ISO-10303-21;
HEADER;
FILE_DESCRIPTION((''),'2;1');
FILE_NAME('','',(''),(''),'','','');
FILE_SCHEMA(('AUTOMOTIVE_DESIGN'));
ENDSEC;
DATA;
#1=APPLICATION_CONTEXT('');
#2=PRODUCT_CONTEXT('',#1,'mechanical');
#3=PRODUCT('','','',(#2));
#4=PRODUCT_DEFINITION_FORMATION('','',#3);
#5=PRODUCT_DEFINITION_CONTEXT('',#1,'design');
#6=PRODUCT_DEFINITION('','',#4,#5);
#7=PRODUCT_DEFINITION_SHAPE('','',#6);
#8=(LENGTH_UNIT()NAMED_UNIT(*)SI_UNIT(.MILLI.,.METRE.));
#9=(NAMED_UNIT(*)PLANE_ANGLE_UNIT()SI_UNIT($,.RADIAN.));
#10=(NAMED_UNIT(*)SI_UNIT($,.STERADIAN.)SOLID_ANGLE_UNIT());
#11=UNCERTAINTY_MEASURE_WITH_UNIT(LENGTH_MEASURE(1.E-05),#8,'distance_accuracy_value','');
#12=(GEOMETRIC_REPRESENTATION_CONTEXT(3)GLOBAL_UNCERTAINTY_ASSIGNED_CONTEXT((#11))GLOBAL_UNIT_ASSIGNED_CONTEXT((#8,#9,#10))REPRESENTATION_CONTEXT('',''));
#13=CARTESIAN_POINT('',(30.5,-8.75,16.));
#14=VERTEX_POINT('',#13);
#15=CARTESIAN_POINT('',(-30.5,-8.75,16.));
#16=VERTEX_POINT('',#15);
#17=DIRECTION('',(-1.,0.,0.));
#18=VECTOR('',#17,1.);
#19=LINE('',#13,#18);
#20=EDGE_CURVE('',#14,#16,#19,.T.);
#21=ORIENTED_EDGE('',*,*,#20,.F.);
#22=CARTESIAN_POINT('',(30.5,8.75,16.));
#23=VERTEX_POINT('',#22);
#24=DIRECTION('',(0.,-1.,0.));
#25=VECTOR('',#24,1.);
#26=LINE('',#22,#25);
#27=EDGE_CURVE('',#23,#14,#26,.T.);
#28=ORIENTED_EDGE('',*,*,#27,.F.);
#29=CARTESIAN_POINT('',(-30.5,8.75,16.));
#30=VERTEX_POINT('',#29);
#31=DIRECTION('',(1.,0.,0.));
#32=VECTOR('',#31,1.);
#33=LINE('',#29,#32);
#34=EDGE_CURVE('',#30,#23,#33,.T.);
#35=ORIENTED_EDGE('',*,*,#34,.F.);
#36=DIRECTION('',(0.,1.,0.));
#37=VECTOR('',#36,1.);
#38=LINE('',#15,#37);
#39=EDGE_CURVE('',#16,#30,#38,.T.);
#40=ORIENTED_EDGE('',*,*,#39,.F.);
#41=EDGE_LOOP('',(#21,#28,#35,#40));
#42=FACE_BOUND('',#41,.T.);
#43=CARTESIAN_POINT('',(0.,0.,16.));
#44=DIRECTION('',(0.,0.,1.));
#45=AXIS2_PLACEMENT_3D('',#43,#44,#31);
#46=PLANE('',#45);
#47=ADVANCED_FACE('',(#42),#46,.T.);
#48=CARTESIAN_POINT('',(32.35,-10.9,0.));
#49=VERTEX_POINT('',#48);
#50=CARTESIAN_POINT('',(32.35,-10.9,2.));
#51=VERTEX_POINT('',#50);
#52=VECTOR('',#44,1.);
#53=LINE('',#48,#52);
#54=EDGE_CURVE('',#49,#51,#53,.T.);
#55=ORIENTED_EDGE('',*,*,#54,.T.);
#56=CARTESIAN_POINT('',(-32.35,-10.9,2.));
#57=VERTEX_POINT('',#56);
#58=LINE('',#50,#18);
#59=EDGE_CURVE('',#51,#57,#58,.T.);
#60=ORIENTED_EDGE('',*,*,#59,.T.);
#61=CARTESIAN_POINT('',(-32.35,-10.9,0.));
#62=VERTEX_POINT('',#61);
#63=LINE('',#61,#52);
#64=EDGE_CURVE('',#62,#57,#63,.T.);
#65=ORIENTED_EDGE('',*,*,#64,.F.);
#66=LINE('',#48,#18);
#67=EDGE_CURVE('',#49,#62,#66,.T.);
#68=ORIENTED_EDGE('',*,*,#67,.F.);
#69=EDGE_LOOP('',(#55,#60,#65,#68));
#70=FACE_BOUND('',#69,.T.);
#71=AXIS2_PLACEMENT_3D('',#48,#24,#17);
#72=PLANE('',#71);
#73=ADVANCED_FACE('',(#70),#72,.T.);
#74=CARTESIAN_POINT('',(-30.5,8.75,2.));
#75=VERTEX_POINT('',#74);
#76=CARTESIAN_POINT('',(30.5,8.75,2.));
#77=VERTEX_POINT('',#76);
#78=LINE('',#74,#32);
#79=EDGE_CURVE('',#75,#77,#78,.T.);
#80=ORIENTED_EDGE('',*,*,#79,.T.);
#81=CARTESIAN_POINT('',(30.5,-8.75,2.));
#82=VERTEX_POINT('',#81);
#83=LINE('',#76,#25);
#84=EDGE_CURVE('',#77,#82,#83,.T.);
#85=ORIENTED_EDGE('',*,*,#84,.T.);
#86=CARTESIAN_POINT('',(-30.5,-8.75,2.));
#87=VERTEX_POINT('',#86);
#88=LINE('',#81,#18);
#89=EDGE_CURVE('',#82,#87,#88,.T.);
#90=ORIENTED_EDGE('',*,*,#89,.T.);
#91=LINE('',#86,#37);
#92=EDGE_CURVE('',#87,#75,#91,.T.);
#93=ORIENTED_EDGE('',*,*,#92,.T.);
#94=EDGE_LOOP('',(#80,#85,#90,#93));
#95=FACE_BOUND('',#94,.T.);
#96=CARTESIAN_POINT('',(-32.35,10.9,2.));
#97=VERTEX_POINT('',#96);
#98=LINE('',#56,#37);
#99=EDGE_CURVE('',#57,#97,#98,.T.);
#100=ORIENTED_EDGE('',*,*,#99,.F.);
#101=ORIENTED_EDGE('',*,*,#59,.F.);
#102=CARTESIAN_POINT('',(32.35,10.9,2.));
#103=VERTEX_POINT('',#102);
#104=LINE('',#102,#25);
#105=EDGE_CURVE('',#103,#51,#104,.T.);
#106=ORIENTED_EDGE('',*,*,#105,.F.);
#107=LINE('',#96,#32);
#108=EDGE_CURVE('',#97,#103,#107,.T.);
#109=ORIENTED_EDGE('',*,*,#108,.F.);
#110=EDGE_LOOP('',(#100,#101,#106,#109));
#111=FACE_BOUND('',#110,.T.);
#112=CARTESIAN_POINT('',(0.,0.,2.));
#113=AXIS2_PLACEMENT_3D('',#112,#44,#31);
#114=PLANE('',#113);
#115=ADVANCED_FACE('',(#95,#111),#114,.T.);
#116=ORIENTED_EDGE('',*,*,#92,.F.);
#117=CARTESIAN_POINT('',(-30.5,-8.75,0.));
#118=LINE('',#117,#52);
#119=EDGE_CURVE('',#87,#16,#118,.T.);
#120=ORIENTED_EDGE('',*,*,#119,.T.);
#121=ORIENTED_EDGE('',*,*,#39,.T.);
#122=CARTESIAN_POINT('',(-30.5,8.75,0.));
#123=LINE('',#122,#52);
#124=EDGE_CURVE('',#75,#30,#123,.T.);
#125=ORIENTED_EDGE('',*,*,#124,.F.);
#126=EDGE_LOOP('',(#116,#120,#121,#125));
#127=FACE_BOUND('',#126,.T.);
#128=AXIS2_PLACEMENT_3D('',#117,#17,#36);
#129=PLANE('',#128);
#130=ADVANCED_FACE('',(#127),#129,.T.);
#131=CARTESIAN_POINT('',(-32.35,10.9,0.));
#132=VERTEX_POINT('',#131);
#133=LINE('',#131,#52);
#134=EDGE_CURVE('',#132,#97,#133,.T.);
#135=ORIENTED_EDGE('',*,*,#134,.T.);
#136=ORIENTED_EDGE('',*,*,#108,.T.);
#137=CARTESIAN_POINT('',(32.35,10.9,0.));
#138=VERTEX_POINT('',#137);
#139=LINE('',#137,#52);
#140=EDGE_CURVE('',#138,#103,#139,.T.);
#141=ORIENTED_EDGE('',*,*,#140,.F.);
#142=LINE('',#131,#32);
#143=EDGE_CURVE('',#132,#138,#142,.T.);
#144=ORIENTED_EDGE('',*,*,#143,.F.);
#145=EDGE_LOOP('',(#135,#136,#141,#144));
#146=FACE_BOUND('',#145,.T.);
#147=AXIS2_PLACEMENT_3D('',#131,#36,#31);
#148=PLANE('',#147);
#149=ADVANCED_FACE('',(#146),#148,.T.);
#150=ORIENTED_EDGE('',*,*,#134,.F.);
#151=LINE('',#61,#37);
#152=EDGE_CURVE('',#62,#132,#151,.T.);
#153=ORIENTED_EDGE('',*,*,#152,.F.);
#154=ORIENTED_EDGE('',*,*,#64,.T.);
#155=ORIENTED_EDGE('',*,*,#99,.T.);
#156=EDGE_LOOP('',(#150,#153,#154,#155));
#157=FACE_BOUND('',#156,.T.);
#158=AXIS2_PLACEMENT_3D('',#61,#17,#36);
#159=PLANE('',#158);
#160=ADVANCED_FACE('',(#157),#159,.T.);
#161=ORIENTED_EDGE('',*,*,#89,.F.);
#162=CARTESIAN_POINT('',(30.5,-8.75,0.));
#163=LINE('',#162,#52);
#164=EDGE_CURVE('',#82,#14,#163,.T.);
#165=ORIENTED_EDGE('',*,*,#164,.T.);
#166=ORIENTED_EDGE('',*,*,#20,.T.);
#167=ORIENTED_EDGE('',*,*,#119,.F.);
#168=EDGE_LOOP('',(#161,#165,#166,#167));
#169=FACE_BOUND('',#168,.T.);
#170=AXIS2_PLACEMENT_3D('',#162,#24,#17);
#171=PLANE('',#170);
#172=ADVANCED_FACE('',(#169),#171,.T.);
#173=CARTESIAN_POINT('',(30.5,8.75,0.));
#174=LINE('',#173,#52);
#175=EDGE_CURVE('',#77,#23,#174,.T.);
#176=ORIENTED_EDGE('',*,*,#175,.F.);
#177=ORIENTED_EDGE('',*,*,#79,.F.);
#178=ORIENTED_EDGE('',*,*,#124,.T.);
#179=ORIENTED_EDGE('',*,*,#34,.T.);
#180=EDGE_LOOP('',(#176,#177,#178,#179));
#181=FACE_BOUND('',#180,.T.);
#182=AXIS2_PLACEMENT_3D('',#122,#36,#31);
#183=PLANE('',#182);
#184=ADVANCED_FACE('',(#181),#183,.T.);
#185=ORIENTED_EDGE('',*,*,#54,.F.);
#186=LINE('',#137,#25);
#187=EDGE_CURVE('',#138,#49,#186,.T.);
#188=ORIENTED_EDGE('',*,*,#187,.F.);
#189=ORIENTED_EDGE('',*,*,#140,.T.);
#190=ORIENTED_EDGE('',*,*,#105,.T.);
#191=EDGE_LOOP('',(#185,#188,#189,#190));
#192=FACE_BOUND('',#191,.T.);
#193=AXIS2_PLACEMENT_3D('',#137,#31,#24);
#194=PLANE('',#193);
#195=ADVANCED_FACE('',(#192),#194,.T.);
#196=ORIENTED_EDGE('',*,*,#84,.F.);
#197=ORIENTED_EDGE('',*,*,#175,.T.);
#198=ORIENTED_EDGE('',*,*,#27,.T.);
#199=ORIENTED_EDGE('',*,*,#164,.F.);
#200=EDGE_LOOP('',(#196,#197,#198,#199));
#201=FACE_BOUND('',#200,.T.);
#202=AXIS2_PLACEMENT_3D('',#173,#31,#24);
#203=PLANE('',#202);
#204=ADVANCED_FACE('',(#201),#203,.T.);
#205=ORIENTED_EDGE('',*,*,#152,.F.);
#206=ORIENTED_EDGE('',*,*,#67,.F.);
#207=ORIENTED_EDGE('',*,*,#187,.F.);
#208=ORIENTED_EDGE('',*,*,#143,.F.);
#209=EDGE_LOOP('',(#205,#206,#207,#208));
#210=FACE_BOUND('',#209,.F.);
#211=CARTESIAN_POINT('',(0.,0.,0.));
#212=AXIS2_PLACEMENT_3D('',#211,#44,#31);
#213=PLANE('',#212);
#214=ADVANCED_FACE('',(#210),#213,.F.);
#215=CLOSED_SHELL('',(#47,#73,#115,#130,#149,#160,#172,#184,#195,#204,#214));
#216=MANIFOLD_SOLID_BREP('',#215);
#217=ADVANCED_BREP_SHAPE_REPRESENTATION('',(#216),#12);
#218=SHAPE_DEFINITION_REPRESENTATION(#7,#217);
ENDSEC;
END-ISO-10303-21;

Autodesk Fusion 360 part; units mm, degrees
sketch "Esquisse1" plane through (0, 0, 0) normal (0, 0, 1) x (1, 0, 0)
  line L0 (-30.5, 8.75) -> (30.5, 8.75)
  line L1 (30.5, 8.75) -> (30.5, -8.75)
  line L2 (30.5, -8.75) -> (-30.5, -8.75)
  line L3 (-30.5, -8.75) -> (-30.5, 8.75)
  line L4 (-32.35, 10.9) -> (32.35, 10.9)
  line L5 (32.35, 10.9) -> (32.35, -10.9)
  line L6 (32.35, -10.9) -> (-32.35, -10.9)
  line L7 (-32.35, -10.9) -> (-32.35, 10.9)
  dimension "d1" = 61
  dimension "d2" = 17.5
  dimension "d3" = 30.5
  dimension "d4" = 8.75
  dimension "d5" = 64.7
  dimension "d6" = 21.8
  dimension "d7" = 32.35
  dimension "d8" = 10.9
extrude "Extrusion1" add sketch "Esquisse1" along normal blind 16 contours L0 L1 L2 L3
extrude "Extrusion2" add sketch "Esquisse1" along normal blind 2
